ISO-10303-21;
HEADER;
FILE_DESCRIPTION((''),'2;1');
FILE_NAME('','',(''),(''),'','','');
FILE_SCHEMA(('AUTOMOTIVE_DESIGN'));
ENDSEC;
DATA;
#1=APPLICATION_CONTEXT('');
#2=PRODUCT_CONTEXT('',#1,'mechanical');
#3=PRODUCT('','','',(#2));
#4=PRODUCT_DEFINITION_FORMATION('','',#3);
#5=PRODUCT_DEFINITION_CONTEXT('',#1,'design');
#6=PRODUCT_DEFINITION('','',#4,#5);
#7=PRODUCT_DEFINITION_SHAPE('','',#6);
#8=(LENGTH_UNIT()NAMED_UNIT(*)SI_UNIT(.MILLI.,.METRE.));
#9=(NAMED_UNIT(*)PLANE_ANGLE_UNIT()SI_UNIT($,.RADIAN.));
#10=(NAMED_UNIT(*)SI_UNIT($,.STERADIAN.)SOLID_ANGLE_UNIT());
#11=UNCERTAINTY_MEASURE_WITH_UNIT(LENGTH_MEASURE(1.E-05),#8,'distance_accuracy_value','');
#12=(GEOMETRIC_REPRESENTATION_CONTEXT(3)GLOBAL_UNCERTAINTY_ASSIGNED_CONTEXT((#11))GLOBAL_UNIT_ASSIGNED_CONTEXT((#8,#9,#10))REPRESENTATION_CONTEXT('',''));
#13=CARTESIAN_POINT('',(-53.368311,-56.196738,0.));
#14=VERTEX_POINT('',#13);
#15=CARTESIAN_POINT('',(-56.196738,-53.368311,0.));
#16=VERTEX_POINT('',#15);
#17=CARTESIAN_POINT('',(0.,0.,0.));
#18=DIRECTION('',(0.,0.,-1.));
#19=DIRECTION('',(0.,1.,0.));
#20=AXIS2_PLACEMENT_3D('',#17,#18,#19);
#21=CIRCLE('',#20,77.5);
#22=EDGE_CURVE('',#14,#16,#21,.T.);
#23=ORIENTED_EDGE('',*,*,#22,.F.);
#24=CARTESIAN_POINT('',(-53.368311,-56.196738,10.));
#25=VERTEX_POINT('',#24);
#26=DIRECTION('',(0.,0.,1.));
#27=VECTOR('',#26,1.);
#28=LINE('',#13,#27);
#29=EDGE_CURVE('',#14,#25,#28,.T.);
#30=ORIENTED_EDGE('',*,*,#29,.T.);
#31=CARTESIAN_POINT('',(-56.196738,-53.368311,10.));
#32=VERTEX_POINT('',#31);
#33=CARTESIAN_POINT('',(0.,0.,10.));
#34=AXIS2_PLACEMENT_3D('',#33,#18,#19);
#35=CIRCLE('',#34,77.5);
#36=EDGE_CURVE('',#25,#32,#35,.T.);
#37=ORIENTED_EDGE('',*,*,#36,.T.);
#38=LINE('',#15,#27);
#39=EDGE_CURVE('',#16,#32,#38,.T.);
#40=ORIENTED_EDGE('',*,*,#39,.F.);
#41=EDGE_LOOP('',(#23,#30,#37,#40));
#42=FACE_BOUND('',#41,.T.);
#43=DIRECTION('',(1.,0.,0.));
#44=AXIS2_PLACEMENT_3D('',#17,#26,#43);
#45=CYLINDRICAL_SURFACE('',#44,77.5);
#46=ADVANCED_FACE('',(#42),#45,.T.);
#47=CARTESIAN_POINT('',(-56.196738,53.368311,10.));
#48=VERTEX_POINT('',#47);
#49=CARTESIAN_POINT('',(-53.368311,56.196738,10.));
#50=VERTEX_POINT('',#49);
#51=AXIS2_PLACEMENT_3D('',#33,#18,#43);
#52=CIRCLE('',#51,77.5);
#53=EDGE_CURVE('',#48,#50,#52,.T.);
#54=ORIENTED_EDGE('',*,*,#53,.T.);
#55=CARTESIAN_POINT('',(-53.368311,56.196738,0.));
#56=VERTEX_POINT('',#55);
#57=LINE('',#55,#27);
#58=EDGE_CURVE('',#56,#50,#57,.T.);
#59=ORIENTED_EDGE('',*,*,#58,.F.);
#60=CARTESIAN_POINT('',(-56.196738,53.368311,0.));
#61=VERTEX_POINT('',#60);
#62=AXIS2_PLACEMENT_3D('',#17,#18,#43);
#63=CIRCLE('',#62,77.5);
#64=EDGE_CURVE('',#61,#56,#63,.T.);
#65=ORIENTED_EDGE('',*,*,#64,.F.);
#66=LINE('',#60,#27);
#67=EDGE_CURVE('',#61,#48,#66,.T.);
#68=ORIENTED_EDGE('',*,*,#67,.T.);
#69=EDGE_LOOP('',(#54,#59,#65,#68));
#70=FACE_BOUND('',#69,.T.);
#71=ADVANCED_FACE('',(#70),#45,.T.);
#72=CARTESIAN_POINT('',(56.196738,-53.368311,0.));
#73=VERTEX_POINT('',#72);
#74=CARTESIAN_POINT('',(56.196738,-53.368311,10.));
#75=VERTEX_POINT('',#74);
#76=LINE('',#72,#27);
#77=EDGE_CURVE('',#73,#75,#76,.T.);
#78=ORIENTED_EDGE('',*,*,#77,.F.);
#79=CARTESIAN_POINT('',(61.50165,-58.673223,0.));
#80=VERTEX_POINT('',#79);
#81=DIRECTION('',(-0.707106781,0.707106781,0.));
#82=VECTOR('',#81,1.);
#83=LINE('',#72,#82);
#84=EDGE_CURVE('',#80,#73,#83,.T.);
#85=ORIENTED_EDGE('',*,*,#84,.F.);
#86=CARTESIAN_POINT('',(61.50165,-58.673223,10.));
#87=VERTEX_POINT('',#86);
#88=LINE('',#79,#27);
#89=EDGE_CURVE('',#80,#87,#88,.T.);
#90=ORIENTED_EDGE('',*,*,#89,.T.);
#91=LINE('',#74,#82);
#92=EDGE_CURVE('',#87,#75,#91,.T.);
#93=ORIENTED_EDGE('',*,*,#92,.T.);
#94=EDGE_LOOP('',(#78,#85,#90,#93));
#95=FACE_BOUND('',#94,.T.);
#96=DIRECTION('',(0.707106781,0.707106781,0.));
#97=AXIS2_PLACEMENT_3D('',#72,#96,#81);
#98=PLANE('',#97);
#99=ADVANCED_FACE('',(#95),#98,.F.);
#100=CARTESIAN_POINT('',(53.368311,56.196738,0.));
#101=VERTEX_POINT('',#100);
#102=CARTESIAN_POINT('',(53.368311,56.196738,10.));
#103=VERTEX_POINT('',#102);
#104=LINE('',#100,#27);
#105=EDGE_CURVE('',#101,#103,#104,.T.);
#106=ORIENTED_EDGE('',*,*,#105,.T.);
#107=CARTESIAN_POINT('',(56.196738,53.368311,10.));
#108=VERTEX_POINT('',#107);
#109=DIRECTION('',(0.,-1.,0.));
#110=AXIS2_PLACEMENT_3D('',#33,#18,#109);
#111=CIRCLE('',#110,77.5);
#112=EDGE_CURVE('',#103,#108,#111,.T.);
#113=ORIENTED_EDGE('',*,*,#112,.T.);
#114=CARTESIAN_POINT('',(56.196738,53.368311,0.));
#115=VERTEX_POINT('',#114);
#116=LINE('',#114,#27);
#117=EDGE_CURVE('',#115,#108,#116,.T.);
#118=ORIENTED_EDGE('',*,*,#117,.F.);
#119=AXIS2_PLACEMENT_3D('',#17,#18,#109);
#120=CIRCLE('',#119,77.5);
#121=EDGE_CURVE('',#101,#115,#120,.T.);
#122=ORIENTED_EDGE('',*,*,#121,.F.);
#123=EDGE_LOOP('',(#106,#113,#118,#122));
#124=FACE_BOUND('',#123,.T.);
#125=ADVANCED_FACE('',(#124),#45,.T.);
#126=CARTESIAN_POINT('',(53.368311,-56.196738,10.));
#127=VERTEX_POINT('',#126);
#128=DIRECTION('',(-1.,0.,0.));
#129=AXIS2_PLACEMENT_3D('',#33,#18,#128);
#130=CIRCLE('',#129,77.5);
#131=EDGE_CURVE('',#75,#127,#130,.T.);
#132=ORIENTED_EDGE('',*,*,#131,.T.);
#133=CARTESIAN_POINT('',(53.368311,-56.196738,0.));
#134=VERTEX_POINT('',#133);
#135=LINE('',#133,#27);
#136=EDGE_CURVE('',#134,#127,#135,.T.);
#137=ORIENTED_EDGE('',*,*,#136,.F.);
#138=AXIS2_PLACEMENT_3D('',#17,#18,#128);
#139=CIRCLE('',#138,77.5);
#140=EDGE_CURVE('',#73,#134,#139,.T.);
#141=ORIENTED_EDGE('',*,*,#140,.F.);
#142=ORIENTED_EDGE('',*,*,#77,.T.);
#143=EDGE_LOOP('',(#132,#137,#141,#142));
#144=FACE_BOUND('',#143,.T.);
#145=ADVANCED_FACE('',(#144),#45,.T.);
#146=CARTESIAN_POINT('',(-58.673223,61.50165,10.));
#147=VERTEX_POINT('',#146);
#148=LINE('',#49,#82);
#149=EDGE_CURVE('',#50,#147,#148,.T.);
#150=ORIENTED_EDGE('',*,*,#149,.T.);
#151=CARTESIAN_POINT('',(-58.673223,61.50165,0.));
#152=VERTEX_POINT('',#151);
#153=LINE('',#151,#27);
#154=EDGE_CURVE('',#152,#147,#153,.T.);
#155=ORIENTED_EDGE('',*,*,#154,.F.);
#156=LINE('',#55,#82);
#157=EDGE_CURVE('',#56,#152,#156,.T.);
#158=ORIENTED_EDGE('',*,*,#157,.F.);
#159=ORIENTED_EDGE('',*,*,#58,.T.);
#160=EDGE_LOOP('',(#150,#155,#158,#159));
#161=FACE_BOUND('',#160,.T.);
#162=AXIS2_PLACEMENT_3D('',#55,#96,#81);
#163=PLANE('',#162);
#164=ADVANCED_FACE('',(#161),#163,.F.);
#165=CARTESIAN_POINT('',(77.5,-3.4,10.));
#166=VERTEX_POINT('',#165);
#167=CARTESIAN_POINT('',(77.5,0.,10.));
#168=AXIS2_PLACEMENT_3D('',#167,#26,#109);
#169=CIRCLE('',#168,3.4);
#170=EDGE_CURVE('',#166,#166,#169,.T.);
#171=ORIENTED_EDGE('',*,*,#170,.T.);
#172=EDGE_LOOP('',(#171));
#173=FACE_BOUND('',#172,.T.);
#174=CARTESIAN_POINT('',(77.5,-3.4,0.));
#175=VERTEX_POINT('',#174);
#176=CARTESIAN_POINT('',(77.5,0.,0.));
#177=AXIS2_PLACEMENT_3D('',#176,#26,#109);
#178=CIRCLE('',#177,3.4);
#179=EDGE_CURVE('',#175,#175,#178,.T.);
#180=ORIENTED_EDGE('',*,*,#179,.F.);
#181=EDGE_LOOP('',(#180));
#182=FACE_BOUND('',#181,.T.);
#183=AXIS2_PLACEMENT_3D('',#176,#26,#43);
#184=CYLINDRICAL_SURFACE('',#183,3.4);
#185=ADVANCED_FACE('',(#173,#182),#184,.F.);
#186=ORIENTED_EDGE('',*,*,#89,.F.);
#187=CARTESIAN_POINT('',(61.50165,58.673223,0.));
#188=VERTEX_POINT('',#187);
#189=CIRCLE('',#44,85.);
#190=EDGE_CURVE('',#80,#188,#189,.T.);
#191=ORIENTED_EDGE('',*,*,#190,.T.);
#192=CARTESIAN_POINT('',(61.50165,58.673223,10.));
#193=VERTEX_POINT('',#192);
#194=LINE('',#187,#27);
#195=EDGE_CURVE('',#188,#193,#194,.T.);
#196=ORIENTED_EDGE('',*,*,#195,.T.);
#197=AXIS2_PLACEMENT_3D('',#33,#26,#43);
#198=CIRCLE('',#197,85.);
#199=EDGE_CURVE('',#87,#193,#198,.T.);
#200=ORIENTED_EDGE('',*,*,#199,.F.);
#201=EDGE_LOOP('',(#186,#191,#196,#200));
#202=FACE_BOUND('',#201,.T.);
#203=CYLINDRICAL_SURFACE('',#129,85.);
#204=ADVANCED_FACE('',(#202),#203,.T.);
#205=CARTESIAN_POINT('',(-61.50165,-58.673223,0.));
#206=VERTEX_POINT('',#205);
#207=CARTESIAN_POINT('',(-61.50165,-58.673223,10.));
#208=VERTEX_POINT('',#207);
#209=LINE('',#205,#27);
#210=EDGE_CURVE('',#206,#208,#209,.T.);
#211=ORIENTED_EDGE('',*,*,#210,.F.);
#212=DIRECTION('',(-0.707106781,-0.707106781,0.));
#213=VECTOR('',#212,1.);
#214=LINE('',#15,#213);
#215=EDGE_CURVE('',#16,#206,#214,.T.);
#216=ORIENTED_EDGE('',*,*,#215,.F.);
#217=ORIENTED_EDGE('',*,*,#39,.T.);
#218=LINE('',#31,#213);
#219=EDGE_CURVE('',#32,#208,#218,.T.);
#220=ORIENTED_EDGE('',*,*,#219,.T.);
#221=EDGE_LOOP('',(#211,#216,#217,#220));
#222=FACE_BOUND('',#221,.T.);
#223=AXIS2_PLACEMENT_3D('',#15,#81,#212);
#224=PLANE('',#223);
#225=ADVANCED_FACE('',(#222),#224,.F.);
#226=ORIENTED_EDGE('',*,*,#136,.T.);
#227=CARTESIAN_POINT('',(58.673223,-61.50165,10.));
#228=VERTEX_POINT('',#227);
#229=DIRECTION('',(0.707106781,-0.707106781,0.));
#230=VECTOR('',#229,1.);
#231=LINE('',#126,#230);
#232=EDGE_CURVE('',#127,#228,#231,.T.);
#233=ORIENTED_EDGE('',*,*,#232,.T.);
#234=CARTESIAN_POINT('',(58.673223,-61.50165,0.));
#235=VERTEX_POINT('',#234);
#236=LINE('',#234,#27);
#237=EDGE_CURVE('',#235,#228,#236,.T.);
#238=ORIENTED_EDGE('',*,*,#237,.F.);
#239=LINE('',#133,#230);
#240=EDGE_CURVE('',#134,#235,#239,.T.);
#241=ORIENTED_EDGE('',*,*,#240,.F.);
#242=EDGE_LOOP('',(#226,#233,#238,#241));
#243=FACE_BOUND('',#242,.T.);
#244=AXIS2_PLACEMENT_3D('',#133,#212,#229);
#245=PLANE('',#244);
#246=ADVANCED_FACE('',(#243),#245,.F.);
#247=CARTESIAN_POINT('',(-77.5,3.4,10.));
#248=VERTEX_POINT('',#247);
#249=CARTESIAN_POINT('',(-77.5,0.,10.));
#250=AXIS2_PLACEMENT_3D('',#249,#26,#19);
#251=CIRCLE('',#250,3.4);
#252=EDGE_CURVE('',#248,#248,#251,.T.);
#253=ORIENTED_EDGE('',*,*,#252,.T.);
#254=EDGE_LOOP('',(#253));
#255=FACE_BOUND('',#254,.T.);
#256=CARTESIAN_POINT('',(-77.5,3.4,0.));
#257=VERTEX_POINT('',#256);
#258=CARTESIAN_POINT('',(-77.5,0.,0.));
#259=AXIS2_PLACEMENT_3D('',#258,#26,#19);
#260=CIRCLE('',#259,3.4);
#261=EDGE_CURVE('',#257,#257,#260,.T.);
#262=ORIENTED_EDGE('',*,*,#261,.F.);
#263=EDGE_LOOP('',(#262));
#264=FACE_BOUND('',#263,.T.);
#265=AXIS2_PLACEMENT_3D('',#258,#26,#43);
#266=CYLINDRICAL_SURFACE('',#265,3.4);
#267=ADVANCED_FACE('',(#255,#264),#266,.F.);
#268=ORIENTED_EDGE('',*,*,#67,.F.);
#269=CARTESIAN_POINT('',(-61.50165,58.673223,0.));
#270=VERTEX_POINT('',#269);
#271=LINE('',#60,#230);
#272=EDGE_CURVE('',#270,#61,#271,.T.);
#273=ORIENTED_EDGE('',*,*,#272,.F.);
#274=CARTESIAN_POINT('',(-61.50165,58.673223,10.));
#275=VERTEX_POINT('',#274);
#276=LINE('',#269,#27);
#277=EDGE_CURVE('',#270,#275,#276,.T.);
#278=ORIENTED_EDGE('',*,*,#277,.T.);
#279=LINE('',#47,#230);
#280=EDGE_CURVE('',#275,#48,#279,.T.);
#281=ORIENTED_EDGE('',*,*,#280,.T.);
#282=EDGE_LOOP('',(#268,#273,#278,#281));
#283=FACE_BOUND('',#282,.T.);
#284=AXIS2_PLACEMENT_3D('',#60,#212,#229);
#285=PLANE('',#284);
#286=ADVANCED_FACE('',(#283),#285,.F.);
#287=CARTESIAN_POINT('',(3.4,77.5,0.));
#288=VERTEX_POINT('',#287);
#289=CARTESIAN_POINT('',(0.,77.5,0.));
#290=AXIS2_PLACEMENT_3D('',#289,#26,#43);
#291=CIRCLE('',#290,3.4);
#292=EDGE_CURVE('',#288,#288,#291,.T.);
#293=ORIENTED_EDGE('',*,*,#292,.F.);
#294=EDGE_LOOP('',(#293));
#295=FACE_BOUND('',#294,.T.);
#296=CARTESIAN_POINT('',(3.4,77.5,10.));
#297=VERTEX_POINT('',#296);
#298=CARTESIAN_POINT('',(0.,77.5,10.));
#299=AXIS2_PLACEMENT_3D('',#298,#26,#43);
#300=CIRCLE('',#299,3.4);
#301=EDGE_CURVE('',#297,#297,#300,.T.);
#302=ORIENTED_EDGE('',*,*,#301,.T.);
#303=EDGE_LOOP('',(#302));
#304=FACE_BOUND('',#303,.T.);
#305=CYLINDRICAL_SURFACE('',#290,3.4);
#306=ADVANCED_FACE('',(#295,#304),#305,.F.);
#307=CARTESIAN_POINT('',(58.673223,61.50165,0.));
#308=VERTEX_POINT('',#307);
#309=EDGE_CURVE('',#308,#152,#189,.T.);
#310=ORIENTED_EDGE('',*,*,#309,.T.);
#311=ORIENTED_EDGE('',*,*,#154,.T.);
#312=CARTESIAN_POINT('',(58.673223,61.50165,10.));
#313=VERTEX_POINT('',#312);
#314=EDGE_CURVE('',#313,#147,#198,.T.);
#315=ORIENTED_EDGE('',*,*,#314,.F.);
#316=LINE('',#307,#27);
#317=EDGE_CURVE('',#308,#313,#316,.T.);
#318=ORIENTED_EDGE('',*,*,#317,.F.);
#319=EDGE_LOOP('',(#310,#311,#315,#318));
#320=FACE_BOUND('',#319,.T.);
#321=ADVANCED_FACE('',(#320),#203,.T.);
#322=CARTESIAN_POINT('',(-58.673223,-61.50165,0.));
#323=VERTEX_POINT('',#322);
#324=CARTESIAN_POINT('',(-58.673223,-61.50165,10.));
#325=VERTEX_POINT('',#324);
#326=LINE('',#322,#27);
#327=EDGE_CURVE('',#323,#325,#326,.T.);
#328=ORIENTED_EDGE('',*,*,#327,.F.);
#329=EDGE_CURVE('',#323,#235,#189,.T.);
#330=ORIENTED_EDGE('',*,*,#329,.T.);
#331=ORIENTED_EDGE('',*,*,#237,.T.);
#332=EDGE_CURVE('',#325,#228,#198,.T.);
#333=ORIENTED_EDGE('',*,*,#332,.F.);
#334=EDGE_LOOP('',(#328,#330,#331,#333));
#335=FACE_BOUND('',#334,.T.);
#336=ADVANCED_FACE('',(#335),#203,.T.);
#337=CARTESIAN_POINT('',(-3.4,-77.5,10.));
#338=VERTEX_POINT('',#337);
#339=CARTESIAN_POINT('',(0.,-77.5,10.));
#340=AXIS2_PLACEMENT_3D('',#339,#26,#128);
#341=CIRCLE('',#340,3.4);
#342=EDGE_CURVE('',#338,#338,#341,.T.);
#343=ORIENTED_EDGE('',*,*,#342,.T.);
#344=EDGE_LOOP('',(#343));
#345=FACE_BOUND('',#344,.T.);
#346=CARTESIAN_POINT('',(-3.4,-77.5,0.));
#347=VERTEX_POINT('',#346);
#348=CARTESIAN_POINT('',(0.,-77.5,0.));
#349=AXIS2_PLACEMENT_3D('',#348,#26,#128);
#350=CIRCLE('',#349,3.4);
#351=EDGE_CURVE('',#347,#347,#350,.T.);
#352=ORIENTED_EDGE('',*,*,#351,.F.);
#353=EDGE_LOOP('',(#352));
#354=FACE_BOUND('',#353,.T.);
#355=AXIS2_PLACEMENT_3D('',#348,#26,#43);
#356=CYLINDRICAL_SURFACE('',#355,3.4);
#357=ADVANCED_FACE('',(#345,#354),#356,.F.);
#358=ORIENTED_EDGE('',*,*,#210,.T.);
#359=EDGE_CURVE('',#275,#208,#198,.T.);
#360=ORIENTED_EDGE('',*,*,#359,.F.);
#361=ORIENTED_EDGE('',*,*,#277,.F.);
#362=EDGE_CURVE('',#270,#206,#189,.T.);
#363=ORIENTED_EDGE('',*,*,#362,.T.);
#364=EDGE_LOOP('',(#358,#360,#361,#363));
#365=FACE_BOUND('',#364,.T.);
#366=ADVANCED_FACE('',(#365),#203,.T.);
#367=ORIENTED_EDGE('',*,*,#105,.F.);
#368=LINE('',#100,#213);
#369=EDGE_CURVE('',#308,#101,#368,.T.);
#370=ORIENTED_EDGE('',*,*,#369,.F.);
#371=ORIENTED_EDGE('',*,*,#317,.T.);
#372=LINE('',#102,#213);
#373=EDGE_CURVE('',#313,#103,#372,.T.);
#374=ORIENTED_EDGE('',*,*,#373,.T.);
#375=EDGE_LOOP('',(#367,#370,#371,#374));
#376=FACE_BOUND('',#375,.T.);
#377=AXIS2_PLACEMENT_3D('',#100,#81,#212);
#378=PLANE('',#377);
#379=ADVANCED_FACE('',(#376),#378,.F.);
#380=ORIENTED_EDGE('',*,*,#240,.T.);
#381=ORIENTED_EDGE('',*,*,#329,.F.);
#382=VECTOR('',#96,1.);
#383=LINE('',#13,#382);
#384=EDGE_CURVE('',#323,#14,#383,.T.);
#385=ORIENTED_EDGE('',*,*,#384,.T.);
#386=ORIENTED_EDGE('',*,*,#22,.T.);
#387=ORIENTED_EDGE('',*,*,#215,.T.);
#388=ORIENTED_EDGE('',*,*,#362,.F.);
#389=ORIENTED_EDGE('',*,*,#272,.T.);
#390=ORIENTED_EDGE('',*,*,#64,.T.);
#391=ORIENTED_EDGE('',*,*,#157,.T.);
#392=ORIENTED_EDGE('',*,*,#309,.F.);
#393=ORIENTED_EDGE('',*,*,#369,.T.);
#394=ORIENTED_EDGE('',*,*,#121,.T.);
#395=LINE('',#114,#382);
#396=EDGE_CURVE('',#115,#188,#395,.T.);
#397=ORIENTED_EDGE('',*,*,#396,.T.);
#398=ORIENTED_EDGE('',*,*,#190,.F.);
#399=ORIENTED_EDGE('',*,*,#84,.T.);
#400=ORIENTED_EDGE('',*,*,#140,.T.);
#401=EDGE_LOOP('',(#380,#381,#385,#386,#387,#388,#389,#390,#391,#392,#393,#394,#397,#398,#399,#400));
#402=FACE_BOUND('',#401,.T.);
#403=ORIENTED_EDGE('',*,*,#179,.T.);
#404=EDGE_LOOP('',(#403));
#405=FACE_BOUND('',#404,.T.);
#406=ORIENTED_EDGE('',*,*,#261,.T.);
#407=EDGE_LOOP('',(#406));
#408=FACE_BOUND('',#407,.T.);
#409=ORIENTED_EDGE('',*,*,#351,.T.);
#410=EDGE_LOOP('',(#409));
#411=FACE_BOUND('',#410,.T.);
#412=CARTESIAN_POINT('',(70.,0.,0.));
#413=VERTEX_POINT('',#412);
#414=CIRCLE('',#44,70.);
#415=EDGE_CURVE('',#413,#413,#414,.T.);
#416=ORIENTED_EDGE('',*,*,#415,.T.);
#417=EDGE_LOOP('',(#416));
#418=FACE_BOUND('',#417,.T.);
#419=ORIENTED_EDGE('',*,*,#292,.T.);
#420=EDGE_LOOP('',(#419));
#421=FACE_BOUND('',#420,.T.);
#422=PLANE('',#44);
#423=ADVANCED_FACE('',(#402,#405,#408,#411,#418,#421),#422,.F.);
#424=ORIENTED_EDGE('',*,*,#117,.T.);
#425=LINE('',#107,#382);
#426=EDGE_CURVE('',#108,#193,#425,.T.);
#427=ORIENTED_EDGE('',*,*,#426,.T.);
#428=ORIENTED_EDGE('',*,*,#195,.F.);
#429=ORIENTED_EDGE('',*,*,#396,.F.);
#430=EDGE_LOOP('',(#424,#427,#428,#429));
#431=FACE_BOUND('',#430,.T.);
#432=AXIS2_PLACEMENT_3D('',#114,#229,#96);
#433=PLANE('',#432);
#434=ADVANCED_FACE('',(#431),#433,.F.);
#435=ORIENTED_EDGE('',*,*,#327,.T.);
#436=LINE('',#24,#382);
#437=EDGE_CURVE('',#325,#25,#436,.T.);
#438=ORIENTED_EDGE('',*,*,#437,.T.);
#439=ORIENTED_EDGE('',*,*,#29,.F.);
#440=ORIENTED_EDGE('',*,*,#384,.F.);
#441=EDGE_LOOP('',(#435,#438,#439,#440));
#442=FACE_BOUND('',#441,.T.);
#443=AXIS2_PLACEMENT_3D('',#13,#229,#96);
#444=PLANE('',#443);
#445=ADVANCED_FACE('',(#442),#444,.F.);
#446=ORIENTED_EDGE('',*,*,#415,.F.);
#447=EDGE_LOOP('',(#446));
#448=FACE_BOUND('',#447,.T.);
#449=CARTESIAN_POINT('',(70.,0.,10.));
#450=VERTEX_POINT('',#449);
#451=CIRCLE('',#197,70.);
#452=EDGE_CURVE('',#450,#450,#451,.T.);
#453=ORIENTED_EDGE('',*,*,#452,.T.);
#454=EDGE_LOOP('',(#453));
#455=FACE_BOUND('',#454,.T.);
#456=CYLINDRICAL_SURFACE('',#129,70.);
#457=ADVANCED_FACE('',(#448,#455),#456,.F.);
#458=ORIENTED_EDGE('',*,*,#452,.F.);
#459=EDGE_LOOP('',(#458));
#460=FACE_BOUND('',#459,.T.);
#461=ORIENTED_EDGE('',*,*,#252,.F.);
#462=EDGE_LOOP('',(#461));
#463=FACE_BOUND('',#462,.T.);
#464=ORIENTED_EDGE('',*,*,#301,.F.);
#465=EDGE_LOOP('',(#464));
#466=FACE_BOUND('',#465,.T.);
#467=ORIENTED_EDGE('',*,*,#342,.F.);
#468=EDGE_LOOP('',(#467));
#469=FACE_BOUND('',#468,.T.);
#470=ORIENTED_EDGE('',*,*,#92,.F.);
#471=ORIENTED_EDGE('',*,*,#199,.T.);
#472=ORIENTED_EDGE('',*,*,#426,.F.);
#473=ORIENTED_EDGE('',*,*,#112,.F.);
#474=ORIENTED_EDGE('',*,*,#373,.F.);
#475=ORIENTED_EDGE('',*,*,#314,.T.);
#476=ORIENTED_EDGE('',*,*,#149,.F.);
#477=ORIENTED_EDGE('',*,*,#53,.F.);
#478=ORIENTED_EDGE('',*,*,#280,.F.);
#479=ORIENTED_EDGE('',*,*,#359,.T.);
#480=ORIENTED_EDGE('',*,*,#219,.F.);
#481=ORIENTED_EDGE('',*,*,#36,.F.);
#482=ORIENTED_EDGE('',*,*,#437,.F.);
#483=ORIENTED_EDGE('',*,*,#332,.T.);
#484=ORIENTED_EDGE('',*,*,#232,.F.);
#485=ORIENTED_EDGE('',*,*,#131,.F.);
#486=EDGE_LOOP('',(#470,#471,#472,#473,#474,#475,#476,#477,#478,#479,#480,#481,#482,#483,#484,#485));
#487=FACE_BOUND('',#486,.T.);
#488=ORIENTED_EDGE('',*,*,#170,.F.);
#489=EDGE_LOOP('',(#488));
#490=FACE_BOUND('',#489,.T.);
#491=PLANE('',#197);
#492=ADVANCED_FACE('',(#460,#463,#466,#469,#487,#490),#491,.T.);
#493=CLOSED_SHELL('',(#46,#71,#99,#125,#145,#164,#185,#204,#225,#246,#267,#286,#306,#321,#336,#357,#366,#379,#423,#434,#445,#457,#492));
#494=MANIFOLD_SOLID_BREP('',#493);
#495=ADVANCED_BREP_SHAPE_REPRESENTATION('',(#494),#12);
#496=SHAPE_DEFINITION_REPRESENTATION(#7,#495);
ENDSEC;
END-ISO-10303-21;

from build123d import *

# Parameters (mm, degrees)
SZKIC1_R                    = 85
SZKIC1_R_2                  = 70
DODANIE_WYCI_GNI_CIE1_DEPTH = 10
WYTNIJ_WYCI_GNI_CIE1_START  = -10
SZKIC2_R                    = 3.4
WYTNIJ_WYCI_GNI_CIE1_DEPTH  = 10
SZYK_KO_OWY1_COUNT          = 4


with BuildPart() as part:
    # Szkic1 → Dodanie-wyciągnięcie1 (new body)
    with BuildSketch(Plane.XY):
        Circle(SZKIC1_R)
        Circle(SZKIC1_R_2, mode=Mode.SUBTRACT)
    extrude(amount=DODANIE_WYCI_GNI_CIE1_DEPTH)

    # Szkic2 → Wytnij-wyciągnięcie1 (cut)
    with BuildSketch(Plane.XY.offset(10).offset(WYTNIJ_WYCI_GNI_CIE1_START)):
        with Locations((0, 77.5)):
            Circle(SZKIC2_R)
        with BuildLine():
            Line((-56.196738148, 53.368311023), (-61.501649853, 58.673222728))
            ThreePointArc((-61.501649853, 58.673222728), (-60.104076401, 60.104076401), (-58.673222728, 61.501649853))
            Line((-58.673222728, 61.501649853), (-53.368311023, 56.196738148))
            ThreePointArc((-53.368311023, 56.196738148), (-54.800775542, 54.800775542), (-56.196738148, 53.368311023))
        make_face()
    wytnij_wyci_gni_cie1 = extrude(amount=WYTNIJ_WYCI_GNI_CIE1_DEPTH, mode=Mode.SUBTRACT)

    # Szyk kołowy1: Wytnij-wyciągnięcie1 ×4 about axis
    szyk_ko_owy1_axis = Axis((0, 0, 0), (0, 0, 1))
    for i in range(1, SZYK_KO_OWY1_COUNT):
        add(wytnij_wyci_gni_cie1.rotate(szyk_ko_owy1_axis, i * 360 / SZYK_KO_OWY1_COUNT), mode=Mode.SUBTRACT)


solid = part.part
